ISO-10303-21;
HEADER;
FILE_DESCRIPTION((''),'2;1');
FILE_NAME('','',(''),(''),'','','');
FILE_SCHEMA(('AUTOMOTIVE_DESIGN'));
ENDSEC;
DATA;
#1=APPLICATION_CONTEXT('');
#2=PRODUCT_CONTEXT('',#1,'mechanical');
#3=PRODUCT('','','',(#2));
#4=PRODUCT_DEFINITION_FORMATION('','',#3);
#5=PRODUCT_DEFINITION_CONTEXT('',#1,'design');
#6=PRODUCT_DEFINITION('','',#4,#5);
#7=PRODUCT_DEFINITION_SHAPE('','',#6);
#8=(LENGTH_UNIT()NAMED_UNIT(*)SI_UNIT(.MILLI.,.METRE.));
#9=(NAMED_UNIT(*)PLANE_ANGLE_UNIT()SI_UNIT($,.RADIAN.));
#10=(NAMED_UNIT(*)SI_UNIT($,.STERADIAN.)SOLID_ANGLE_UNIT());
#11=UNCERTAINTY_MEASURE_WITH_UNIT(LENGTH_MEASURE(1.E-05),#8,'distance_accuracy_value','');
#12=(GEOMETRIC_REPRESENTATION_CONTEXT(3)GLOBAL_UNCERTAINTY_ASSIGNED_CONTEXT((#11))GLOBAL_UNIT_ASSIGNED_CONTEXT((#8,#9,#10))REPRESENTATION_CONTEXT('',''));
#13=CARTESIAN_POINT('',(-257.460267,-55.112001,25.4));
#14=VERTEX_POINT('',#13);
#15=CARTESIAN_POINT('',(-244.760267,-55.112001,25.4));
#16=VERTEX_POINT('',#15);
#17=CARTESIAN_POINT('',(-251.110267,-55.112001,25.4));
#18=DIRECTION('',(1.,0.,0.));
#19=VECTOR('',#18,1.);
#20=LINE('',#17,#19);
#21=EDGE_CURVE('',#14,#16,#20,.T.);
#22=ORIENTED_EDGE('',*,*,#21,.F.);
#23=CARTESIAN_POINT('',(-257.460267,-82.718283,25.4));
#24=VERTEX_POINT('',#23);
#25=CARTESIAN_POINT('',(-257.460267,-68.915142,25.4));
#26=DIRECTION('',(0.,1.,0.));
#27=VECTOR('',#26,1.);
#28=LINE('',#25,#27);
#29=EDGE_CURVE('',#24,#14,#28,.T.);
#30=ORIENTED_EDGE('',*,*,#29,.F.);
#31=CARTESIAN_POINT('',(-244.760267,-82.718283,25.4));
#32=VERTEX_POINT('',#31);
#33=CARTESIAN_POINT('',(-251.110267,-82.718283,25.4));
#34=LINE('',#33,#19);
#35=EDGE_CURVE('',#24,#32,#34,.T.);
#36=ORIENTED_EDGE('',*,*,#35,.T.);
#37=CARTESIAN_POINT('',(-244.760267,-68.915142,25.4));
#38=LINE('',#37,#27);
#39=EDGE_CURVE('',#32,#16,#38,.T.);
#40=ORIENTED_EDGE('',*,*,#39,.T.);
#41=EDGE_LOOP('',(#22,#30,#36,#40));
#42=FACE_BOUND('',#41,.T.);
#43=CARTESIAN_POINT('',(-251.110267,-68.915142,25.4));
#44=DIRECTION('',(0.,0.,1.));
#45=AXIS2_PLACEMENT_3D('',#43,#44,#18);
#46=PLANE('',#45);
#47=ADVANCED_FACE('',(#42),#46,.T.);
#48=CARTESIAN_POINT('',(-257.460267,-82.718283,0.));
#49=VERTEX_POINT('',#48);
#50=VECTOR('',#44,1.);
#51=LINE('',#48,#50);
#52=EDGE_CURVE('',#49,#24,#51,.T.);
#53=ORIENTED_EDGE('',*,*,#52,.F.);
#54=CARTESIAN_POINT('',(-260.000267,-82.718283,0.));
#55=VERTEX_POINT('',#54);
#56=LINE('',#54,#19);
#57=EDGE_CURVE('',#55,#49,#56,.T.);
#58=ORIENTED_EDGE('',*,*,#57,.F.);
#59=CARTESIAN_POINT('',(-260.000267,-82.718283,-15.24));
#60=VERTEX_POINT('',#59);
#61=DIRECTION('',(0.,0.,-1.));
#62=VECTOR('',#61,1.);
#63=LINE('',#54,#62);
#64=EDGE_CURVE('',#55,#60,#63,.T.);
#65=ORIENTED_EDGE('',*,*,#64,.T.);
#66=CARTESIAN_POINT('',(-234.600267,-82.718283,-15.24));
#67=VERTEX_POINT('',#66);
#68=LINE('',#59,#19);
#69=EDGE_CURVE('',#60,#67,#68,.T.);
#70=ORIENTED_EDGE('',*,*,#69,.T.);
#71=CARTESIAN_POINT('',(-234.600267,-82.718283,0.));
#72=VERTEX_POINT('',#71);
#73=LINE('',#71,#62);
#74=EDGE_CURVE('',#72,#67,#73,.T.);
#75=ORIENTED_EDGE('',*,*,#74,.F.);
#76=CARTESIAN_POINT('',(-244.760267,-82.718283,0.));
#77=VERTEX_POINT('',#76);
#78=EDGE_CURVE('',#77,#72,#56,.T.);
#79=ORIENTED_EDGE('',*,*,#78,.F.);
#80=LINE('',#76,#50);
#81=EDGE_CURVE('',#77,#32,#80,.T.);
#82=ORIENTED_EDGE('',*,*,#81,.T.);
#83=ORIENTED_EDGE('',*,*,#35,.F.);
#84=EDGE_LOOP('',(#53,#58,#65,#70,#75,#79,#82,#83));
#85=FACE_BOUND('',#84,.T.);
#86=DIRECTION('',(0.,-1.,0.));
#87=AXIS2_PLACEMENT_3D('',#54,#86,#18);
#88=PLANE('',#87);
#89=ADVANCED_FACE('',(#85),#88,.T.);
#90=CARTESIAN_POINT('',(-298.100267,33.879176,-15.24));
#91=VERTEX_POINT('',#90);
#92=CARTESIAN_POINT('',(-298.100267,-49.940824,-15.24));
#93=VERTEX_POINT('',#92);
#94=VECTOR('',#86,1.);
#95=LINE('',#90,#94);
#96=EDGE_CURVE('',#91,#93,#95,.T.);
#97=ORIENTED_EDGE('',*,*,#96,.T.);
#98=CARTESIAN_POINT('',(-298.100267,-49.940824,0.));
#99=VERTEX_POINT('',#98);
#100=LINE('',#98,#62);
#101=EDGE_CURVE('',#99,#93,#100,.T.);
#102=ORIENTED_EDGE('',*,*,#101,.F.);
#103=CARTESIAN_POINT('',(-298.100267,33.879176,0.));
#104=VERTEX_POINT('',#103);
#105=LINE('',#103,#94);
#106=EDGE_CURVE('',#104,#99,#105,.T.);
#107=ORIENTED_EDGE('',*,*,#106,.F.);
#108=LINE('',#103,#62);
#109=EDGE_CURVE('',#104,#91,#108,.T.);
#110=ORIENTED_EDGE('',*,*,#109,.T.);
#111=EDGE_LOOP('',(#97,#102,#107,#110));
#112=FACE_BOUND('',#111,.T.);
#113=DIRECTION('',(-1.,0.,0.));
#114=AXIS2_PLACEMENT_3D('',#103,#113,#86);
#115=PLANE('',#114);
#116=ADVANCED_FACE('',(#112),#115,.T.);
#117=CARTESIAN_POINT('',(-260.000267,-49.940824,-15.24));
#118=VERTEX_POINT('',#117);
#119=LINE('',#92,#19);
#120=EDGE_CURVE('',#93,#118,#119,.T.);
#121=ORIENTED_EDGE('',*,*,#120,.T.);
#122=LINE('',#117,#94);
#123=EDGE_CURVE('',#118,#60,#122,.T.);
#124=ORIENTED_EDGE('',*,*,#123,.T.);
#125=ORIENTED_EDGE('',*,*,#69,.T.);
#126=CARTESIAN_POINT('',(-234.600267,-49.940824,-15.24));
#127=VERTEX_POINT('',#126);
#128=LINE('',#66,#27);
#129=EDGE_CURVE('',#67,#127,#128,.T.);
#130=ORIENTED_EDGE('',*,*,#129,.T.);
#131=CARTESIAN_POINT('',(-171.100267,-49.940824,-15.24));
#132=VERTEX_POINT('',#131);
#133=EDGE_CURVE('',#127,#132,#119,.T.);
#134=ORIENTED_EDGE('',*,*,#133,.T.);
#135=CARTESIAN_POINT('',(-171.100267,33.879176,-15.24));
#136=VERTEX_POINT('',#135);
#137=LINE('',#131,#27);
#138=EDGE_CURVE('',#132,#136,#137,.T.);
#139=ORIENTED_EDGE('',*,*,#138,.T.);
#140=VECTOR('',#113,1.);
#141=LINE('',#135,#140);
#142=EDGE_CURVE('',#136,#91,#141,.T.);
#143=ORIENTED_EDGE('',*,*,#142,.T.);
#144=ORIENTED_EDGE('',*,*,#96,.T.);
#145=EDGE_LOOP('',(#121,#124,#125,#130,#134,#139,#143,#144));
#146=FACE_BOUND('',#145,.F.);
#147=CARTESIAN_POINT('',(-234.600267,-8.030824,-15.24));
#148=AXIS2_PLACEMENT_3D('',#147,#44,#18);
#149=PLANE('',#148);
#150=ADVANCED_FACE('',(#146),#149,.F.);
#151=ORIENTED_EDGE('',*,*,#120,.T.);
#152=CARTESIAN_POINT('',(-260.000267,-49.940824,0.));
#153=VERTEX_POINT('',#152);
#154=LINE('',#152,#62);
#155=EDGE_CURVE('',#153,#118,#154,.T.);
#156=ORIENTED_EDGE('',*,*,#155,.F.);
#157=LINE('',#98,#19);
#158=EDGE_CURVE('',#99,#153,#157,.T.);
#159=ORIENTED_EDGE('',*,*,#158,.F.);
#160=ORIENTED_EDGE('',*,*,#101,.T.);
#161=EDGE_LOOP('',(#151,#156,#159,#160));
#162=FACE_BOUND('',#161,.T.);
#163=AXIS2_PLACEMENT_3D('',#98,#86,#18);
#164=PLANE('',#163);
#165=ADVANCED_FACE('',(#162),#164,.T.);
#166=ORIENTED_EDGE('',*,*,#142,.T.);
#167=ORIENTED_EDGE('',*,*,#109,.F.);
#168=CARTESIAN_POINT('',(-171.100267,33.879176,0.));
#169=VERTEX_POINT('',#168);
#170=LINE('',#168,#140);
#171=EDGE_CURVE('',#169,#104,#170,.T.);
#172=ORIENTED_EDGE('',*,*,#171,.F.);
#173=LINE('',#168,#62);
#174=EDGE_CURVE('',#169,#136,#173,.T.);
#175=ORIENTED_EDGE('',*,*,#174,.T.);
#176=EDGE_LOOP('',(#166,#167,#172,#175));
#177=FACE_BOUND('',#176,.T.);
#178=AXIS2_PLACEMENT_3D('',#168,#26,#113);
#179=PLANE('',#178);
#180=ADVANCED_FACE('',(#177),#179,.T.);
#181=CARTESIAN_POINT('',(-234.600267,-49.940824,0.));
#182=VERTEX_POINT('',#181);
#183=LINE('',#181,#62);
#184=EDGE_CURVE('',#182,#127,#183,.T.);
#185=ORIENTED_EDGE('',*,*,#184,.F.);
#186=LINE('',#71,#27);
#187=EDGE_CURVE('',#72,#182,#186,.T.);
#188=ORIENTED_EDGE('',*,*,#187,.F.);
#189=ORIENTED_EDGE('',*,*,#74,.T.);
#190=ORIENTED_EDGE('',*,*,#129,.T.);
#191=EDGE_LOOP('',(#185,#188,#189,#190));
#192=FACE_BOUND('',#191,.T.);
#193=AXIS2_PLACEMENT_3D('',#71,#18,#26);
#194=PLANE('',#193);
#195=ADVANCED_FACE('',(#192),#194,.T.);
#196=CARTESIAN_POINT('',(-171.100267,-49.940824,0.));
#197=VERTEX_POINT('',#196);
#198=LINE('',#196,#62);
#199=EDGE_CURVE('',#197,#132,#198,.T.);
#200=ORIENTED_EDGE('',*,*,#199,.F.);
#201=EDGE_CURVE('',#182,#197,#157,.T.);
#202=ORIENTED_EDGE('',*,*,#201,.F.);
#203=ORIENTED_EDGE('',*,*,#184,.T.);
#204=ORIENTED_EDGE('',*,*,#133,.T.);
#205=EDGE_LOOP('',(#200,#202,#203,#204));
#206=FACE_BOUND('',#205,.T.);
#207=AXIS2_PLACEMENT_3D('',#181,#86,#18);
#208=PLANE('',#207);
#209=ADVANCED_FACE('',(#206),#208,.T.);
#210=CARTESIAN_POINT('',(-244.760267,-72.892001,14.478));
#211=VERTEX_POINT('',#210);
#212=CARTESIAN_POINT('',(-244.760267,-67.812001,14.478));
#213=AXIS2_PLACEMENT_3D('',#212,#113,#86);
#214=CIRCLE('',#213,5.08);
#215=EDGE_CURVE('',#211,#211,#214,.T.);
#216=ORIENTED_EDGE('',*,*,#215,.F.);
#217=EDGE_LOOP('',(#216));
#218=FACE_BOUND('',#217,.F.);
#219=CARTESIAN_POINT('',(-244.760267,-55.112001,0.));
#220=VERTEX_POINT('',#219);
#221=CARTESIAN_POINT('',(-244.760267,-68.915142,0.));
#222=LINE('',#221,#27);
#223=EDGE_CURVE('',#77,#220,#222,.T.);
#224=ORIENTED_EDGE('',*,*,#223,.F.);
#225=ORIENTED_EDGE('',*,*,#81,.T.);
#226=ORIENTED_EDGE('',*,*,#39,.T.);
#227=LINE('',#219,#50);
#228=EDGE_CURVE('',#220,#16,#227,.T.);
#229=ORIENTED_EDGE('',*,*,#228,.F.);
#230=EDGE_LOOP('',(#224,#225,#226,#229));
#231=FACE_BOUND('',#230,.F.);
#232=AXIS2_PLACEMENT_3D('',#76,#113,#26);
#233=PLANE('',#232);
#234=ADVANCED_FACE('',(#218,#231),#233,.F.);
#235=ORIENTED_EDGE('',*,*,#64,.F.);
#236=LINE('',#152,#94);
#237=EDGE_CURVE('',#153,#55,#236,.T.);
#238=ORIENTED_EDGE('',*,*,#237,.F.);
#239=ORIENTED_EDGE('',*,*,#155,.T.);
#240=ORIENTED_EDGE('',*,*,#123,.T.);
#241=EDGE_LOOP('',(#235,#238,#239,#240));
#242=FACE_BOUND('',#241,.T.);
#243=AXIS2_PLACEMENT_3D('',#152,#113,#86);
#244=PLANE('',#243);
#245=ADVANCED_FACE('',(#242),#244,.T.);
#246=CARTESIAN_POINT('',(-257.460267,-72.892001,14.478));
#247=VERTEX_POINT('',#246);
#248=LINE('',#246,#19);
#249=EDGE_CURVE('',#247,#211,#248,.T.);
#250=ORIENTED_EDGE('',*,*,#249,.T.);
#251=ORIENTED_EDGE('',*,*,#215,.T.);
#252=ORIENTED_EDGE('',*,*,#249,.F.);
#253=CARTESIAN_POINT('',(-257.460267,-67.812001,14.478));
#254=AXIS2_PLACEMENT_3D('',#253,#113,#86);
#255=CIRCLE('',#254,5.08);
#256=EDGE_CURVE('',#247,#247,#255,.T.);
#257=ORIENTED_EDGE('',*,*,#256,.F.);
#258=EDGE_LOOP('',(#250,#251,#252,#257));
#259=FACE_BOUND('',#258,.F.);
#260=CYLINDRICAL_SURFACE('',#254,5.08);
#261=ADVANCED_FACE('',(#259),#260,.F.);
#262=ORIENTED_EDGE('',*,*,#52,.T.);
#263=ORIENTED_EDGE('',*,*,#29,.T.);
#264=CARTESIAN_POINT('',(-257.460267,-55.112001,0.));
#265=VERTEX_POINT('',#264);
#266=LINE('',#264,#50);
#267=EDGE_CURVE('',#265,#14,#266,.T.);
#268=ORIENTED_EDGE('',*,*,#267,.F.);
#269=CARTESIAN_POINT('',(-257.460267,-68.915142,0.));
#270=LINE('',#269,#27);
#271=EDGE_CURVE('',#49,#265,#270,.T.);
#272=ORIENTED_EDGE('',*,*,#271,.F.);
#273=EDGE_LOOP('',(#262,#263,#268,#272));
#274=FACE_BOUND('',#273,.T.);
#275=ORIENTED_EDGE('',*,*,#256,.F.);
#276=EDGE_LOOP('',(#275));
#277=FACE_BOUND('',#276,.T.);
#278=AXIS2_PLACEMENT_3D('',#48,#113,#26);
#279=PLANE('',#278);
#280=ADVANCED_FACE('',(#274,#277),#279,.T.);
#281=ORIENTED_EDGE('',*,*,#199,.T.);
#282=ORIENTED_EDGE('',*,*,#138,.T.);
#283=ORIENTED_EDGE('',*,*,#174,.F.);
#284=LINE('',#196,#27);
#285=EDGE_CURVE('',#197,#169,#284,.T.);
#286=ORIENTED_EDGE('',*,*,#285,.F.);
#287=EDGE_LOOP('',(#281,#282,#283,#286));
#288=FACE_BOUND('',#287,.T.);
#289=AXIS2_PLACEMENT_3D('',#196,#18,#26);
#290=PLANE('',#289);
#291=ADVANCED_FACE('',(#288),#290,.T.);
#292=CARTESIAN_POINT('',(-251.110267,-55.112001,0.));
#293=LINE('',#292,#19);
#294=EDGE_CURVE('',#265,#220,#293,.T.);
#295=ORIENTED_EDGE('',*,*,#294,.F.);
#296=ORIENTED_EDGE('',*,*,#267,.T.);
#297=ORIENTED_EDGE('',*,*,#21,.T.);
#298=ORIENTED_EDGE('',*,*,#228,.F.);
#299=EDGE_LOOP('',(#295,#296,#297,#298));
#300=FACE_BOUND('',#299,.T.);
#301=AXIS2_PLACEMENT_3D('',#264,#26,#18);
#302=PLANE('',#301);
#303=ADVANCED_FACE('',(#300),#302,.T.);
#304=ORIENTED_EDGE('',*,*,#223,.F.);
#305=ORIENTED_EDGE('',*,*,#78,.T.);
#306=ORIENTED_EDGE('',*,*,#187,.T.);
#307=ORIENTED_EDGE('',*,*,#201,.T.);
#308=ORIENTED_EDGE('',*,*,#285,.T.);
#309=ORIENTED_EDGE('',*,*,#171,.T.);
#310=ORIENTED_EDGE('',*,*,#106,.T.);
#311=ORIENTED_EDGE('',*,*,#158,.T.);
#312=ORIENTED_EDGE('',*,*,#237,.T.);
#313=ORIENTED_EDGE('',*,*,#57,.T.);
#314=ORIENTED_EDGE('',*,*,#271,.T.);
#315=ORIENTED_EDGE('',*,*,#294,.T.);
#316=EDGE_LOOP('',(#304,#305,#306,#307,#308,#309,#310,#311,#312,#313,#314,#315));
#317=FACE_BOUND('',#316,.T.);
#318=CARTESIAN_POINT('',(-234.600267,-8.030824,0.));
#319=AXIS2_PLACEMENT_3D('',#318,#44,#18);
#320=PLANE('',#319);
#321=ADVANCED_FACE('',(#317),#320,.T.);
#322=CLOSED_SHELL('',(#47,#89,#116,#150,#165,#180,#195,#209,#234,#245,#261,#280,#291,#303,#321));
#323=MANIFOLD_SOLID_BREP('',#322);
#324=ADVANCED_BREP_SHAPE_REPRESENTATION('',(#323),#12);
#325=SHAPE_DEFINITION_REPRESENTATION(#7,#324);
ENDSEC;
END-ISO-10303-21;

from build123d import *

# Parameters (mm, degrees)
F0_W     = 12.7
F0_H     = 27.606282
F1_DEPTH = 25.4
F2_DEPTH = 15.24
F3_R     = 5.08
F4_DEPTH = 25.4


with BuildPart() as f1:
    # F0 (on Top) → F1 (new body)
    with BuildSketch(Plane.XY):
        with Locations((-251.110267, -68.915142)):
            Rectangle(F0_W, F0_H)
    extrude(amount=F1_DEPTH)

    # F0 (on Top) → F2 (join)
    with BuildSketch(Plane.XY):
        Polygon((-171.100267, 33.879176), (-298.100267, 33.879176), (-298.100267, -49.940824), (-260.000267, -49.940824), (-234.600267, -49.940824), (-171.100267, -49.940824), align=None)
        with Locations((-251.110267, -68.915142)):
            Rectangle(F0_W, F0_H)
        Polygon((-234.600267, -49.940824), (-260.000267, -49.940824), (-260.000267, -82.718283), (-257.460267, -82.718283), (-257.460267, -55.112001), (-244.760267, -55.112001), (-244.760267, -82.718283), (-234.600267, -82.718283), align=None)
    extrude(amount=-F2_DEPTH)

    # F3 (on face) → F4 (cut)
    with BuildSketch(Plane(origin=(-257.460267, 0, 0), x_dir=(0, -1, 0), z_dir=(-1, 0, 0))):
        with Locations((67.812001, 14.478)):
            Circle(F3_R)
    extrude(amount=-F4_DEPTH, mode=Mode.SUBTRACT)


solid = f1.part
